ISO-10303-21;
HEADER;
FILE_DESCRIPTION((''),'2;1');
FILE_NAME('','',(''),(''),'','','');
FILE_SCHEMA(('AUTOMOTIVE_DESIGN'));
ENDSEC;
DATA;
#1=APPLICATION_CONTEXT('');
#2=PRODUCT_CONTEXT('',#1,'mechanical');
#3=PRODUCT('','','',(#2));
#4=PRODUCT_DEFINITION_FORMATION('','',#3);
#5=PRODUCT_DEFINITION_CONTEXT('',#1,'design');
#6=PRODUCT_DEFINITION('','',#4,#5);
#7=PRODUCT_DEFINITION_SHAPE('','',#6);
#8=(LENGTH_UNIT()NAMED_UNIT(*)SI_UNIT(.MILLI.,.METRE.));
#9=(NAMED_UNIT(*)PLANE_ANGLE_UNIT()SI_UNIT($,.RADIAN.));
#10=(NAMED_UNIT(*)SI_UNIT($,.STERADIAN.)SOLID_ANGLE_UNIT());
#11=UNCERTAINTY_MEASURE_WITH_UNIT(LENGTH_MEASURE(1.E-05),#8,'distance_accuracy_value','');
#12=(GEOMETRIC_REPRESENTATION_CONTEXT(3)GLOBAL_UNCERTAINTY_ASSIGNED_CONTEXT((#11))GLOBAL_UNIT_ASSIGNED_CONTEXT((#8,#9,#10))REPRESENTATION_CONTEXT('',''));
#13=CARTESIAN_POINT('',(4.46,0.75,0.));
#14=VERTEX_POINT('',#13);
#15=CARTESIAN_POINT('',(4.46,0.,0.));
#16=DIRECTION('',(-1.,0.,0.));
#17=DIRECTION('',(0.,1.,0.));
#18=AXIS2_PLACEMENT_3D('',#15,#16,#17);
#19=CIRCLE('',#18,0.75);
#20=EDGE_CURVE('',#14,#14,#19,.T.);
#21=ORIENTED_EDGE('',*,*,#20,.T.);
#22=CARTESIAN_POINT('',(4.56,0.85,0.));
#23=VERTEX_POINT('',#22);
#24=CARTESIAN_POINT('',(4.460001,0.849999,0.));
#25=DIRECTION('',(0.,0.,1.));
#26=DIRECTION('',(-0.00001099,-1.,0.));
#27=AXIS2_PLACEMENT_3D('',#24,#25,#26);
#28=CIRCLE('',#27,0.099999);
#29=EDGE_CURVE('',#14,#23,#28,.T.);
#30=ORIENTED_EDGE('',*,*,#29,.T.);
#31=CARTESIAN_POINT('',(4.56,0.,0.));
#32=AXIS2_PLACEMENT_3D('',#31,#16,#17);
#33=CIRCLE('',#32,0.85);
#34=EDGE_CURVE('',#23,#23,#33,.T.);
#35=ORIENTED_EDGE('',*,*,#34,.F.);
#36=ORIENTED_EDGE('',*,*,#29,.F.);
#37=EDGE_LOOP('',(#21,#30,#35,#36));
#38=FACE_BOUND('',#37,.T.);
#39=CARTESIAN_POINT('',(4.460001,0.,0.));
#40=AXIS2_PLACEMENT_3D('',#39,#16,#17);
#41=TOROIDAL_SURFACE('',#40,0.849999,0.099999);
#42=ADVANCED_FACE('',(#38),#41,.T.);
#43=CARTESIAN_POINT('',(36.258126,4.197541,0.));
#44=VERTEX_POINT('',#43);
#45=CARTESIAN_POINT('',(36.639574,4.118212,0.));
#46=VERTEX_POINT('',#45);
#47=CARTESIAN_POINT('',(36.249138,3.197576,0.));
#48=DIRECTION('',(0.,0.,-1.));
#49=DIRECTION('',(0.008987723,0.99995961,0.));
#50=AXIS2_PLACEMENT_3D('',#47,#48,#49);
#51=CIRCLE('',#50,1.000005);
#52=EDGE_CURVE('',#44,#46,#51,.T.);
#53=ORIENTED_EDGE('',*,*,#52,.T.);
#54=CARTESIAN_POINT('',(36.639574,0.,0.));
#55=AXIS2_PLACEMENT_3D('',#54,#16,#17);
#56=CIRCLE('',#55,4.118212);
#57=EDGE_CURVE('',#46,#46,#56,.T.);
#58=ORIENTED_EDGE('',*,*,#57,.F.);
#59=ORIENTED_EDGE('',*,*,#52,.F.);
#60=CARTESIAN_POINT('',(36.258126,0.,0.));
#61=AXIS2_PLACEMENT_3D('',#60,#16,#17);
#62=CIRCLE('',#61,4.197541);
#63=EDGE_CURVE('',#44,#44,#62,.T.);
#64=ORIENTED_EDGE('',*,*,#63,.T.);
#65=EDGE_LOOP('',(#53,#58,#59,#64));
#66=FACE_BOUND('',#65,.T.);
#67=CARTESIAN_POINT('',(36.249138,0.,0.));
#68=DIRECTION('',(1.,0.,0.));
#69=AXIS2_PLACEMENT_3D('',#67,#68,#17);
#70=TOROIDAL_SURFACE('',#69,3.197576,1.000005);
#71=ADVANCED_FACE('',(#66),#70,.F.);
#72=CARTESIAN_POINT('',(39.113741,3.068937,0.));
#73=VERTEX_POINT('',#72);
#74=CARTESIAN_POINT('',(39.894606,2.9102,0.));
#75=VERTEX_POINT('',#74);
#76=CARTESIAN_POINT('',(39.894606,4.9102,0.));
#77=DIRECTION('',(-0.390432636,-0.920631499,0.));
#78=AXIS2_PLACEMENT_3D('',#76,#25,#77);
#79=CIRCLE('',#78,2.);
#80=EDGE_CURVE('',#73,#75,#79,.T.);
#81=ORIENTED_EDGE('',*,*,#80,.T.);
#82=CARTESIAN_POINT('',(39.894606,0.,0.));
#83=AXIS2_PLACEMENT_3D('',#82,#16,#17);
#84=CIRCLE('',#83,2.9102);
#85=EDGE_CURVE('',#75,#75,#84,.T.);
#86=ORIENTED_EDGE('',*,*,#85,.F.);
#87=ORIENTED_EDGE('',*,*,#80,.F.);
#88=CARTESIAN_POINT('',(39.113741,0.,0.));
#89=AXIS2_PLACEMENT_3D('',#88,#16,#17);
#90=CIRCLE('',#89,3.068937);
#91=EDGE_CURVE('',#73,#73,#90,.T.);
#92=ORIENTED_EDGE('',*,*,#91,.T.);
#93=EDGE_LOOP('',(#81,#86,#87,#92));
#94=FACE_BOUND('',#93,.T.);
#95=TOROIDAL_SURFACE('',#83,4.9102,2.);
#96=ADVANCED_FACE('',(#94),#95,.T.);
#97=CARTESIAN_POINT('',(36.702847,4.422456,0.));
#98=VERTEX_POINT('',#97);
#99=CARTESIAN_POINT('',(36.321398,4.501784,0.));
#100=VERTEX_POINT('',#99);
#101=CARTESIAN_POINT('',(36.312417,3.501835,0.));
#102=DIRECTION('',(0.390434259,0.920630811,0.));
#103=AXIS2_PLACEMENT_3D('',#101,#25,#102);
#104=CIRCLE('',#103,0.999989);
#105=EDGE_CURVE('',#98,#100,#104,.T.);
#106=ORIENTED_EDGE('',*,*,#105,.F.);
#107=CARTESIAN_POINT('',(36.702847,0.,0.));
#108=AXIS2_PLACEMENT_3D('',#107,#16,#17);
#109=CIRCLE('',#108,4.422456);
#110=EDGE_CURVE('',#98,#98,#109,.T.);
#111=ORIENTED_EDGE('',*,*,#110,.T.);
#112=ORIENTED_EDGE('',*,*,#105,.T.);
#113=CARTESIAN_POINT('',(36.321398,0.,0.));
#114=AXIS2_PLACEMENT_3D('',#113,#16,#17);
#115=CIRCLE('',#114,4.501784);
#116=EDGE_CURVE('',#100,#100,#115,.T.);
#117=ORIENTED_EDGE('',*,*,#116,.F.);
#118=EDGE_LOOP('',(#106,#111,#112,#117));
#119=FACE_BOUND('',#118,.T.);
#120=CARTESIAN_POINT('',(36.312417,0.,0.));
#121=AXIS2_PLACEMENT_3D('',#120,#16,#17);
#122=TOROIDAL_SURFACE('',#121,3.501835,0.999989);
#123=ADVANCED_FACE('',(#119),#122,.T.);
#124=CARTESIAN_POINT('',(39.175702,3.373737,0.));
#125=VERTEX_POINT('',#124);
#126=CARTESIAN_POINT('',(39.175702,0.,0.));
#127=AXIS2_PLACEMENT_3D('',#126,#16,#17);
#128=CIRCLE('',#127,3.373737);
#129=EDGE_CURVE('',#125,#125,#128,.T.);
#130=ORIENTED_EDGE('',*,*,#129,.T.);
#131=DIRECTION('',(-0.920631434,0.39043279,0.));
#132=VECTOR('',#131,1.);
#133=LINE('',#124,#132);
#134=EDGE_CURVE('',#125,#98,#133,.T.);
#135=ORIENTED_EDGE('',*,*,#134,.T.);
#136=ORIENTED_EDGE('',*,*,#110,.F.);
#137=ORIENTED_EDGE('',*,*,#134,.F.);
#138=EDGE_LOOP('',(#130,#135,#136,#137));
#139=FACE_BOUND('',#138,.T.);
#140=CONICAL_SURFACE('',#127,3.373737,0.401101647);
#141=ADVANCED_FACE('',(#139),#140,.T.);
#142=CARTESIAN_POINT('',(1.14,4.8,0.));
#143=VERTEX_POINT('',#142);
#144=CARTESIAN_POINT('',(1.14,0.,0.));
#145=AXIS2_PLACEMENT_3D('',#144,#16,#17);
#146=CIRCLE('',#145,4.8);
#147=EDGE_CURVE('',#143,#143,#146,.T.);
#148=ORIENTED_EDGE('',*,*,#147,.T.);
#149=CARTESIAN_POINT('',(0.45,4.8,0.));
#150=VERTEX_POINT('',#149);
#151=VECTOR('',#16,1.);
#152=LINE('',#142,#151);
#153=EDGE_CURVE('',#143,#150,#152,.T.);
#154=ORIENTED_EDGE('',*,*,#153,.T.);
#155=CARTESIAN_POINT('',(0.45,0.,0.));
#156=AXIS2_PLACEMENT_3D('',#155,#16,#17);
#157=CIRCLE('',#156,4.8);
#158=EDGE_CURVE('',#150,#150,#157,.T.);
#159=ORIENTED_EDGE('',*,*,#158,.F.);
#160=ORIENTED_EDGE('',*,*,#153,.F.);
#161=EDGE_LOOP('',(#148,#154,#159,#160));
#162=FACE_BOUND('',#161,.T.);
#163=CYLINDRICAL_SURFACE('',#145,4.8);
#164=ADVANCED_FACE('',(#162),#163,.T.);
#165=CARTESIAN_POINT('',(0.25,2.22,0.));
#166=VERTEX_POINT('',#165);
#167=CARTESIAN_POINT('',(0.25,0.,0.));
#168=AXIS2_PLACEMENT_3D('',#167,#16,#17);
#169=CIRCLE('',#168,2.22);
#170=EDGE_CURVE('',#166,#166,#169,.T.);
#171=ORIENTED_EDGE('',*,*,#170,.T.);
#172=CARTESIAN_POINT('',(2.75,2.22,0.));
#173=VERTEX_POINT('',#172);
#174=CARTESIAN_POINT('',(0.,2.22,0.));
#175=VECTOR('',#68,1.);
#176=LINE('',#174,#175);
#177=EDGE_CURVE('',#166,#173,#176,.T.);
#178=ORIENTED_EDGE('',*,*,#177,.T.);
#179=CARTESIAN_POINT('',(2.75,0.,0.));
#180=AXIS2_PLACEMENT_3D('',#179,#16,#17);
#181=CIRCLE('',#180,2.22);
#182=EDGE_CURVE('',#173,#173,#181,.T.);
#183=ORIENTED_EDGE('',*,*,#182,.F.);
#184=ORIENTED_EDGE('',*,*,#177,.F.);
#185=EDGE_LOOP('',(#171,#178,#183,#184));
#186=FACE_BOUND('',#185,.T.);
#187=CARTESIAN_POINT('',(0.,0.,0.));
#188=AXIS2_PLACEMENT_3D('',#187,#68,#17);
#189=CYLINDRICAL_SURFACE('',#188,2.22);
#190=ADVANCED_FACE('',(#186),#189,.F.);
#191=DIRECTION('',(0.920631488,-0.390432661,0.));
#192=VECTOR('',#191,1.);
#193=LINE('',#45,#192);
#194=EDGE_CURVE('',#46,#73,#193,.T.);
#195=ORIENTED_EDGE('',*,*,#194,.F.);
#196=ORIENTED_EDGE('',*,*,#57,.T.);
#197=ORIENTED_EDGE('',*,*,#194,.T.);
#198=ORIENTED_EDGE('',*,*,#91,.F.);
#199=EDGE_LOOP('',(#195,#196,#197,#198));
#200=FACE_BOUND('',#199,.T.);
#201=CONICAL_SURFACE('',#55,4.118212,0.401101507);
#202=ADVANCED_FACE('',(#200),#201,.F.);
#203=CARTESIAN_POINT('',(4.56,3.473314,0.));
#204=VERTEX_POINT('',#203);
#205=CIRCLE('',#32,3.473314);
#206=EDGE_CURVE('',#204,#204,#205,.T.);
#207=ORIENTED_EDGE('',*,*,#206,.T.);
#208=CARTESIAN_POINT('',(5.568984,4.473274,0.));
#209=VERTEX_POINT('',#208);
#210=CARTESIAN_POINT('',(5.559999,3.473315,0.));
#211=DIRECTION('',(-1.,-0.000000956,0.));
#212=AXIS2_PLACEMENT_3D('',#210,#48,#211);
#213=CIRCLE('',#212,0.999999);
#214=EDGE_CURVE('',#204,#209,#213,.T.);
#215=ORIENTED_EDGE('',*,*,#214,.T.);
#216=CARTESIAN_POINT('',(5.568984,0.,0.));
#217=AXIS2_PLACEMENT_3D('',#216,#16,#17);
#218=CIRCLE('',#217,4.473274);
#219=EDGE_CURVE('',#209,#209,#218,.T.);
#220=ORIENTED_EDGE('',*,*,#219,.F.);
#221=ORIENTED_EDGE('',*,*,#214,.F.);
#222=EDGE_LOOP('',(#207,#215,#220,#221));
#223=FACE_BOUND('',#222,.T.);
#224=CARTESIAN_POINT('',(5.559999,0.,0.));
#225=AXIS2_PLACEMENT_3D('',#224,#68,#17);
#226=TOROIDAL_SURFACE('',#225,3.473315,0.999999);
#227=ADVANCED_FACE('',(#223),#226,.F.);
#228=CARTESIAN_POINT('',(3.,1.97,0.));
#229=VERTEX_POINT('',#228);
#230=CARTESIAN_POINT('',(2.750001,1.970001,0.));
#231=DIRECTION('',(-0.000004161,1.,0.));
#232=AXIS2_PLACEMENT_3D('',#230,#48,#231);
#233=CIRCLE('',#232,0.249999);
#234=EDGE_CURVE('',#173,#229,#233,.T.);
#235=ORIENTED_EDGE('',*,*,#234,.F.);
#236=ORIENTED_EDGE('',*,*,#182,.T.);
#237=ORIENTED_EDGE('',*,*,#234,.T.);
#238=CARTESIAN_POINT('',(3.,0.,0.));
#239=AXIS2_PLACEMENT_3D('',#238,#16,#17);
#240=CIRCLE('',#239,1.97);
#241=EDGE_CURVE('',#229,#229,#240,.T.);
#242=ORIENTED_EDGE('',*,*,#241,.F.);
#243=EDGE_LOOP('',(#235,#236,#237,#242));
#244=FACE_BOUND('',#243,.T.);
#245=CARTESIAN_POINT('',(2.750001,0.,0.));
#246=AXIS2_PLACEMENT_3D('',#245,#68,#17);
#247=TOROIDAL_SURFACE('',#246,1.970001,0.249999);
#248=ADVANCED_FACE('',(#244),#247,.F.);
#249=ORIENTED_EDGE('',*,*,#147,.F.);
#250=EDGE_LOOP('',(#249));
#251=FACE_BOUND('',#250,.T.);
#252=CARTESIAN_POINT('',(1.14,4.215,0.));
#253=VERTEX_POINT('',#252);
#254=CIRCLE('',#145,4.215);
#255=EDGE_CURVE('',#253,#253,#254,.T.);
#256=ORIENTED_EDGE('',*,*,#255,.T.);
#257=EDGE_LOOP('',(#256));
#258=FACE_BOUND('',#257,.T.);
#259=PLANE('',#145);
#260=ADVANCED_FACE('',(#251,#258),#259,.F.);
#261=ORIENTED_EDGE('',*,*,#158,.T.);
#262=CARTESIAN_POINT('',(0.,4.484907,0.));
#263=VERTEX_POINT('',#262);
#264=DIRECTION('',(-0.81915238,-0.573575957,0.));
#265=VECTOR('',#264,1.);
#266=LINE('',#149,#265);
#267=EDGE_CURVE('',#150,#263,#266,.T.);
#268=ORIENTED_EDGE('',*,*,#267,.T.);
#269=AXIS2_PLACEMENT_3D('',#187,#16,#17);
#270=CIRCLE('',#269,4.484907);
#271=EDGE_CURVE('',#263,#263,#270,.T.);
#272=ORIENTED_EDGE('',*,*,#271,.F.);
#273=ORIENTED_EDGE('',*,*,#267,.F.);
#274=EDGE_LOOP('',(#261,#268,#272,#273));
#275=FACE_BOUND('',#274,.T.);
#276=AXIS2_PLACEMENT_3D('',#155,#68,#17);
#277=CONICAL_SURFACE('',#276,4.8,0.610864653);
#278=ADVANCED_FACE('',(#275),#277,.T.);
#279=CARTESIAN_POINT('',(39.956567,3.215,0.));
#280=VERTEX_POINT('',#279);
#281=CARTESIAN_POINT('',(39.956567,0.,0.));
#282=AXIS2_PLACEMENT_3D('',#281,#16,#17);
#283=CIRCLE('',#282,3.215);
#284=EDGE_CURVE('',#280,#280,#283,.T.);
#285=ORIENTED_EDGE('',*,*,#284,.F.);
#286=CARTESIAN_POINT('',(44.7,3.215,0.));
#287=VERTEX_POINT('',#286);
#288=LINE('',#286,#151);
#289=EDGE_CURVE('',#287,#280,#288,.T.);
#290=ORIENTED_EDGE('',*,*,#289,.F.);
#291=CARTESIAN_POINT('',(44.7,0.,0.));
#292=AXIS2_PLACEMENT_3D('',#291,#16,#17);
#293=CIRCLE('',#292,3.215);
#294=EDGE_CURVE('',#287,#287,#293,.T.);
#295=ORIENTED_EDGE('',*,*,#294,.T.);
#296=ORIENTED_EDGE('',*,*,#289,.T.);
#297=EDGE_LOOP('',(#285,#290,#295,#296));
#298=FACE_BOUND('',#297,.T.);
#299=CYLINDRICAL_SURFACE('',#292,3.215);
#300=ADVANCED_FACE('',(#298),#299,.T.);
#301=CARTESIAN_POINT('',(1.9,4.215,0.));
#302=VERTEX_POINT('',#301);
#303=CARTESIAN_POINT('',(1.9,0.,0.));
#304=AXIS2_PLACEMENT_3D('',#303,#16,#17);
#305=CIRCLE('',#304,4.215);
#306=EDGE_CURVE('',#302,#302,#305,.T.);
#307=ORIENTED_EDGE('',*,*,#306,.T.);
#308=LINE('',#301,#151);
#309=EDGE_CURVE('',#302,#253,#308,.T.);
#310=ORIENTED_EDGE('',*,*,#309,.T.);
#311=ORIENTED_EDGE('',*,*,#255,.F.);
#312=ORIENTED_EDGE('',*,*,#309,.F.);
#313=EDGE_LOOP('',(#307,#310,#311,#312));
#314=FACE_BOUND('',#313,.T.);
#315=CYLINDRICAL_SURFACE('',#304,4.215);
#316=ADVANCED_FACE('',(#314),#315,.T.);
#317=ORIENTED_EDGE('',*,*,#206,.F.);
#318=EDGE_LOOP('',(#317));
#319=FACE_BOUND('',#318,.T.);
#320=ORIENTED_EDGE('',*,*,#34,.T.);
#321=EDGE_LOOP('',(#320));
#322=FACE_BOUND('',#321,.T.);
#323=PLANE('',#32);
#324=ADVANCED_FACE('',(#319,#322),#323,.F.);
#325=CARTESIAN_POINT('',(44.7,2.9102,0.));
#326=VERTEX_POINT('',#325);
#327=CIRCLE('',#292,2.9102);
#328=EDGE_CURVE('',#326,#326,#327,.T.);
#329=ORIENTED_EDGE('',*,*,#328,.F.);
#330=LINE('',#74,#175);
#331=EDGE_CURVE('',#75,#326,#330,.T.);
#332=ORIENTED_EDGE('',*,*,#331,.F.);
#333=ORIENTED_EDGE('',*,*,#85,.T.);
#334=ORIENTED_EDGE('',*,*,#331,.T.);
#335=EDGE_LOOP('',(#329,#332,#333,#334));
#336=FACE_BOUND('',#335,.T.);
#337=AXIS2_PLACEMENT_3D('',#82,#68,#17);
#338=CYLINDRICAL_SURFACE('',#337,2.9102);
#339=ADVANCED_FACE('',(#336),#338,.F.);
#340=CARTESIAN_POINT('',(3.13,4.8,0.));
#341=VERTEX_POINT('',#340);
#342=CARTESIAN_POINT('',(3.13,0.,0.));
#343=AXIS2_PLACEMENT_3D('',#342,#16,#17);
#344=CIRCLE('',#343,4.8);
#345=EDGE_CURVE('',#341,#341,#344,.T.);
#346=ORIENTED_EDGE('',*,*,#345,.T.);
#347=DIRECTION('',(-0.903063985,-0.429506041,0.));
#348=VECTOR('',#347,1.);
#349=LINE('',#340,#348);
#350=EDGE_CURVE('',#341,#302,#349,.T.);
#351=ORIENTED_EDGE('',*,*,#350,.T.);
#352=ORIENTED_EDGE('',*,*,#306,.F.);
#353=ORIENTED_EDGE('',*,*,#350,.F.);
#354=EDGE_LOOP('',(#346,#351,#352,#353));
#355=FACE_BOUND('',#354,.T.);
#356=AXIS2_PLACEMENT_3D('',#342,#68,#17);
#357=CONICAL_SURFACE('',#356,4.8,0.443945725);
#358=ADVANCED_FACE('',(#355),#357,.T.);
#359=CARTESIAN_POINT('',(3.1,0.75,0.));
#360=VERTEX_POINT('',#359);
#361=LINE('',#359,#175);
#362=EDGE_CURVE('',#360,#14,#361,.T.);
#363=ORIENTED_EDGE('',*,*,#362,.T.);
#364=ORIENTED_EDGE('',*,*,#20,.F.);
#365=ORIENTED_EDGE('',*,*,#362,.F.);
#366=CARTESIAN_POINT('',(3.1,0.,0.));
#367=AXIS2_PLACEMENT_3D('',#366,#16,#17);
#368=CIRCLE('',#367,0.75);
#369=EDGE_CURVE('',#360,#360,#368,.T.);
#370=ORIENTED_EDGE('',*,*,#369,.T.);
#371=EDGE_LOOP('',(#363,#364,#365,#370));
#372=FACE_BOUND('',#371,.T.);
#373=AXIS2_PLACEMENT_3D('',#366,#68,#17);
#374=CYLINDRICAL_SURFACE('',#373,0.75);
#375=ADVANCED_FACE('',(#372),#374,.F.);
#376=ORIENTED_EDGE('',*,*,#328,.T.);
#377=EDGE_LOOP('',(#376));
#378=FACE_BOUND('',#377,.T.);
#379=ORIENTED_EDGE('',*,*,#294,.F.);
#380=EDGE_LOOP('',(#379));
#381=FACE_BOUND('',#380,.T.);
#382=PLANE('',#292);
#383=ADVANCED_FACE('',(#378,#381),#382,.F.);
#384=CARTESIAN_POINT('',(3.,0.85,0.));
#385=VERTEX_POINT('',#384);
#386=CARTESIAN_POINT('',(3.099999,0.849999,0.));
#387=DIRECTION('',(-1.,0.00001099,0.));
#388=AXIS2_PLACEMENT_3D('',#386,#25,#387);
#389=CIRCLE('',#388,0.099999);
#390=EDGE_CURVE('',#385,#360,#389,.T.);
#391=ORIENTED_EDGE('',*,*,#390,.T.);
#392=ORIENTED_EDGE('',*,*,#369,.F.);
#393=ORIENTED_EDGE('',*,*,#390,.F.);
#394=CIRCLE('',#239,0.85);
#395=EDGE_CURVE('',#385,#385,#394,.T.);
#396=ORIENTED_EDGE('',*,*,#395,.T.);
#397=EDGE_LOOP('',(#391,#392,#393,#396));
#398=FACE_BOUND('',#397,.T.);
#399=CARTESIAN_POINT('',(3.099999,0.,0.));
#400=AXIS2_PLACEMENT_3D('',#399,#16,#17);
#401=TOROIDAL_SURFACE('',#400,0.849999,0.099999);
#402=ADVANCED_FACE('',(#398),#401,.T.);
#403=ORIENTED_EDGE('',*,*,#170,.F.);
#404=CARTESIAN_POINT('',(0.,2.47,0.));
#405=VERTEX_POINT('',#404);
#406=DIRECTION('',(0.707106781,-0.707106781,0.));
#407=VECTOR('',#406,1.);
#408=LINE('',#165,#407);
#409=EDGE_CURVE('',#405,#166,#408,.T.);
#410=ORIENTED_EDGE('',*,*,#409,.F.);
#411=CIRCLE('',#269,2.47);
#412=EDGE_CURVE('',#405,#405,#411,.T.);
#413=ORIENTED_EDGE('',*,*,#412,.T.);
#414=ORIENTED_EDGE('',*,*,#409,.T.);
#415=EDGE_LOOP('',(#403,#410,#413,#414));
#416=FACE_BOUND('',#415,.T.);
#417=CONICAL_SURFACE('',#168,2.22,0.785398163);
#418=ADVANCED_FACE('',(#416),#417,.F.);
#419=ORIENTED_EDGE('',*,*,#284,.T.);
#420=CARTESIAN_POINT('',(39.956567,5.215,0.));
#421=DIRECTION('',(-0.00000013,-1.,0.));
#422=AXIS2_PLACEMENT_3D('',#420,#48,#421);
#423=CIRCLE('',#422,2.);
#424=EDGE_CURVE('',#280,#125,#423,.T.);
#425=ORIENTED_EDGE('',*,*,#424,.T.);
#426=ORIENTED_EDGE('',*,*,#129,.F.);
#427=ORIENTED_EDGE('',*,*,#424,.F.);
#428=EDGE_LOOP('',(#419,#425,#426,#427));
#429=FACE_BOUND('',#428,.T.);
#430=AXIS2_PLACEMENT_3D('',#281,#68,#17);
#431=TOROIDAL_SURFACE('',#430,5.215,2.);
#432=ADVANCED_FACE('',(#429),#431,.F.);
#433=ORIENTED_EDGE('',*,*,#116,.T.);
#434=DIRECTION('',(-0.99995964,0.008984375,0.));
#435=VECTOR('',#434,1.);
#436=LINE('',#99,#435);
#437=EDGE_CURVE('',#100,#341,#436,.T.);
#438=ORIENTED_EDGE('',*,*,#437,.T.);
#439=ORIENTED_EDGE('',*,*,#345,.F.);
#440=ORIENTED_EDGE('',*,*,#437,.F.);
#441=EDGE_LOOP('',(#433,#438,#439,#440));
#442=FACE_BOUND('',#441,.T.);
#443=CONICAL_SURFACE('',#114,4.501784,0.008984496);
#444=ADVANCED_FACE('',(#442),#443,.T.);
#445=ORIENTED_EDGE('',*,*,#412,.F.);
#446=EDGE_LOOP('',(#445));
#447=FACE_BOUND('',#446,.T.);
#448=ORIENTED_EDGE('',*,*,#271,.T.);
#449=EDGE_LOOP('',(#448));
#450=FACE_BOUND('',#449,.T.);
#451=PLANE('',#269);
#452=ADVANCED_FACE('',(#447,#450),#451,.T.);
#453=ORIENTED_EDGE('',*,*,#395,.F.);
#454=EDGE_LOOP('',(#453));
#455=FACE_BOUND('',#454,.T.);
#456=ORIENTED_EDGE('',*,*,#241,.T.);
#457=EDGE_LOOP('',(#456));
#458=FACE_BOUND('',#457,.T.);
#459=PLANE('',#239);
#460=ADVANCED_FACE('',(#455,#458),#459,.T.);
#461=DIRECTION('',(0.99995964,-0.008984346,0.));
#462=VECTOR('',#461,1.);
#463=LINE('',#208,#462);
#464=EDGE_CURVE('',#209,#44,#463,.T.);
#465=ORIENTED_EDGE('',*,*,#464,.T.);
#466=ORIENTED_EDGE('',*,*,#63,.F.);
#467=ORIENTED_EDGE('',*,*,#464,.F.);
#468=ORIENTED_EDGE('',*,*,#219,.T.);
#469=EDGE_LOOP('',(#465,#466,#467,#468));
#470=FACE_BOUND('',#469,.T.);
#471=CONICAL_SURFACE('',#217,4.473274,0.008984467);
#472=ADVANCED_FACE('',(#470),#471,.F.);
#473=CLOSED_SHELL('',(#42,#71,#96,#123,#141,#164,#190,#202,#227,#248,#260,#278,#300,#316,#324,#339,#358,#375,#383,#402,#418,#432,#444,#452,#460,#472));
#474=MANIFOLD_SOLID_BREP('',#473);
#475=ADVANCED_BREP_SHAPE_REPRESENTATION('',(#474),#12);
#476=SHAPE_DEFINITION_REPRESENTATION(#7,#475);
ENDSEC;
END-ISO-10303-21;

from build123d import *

# Parameters (mm, degrees)
F2_SIZE = 0.25


with BuildPart() as f1:
    # F0 (on Top) → F1 (revolve)
    with BuildSketch(Plane.XY):
        with BuildLine():
            Line((0, 4.484907), (0, 2.22))
            Line((0, 2.22), (2.75, 2.22))
            ThreePointArc((2.75, 2.22), (2.926777, 2.146777), (3, 1.97))
            Line((3, 1.97), (3, 0.85))
            ThreePointArc((3, 0.85), (3.029289, 0.779289), (3.1, 0.75))
            Line((3.1, 0.75), (4.46, 0.75))
            ThreePointArc((4.46, 0.75), (4.530711, 0.779289), (4.56, 0.85))
            Line((4.56, 0.85), (4.56, 3.473314))
            ThreePointArc((4.56, 3.473314), (4.856077, 4.183591), (5.568984, 4.473274))
            Line((5.568984, 4.473274), (36.258126, 4.197541))
            ThreePointArc((36.258126, 4.197541), (36.452751, 4.176633), (36.639574, 4.118212))
            Line((36.639574, 4.118212), (39.113741, 3.068937))
            ThreePointArc((39.113741, 3.068937), (39.496188, 2.950286), (39.894606, 2.9102))
            Line((39.894606, 2.9102), (44.7, 2.9102))
            Line((44.7, 2.9102), (44.7, 3.215))
            Line((44.7, 3.215), (39.956567, 3.215))
            ThreePointArc((39.956567, 3.215), (39.558149, 3.255086), (39.175702, 3.373737))
            Line((39.175702, 3.373737), (36.702847, 4.422456))
            ThreePointArc((36.702847, 4.422456), (36.516023, 4.480877), (36.321398, 4.501784))
            Line((36.321398, 4.501784), (3.13, 4.8))
            Line((3.13, 4.8), (1.9, 4.215))
            Line((1.9, 4.215), (1.14, 4.215))
            Line((1.14, 4.215), (1.14, 4.8))
            Line((1.14, 4.8), (0.45, 4.8))
            Line((0.45, 4.8), (0, 4.484907))
        make_face()
    revolve(axis=Axis((22.35, 0, 0), (-1, 0, 0)))

    # F2
    f2_edges = [f1.edges().sort_by_distance(p)[0] for p in [
        (0, -2.22, 0),
    ]]
    chamfer(f2_edges, length=F2_SIZE)


solid = f1.part
